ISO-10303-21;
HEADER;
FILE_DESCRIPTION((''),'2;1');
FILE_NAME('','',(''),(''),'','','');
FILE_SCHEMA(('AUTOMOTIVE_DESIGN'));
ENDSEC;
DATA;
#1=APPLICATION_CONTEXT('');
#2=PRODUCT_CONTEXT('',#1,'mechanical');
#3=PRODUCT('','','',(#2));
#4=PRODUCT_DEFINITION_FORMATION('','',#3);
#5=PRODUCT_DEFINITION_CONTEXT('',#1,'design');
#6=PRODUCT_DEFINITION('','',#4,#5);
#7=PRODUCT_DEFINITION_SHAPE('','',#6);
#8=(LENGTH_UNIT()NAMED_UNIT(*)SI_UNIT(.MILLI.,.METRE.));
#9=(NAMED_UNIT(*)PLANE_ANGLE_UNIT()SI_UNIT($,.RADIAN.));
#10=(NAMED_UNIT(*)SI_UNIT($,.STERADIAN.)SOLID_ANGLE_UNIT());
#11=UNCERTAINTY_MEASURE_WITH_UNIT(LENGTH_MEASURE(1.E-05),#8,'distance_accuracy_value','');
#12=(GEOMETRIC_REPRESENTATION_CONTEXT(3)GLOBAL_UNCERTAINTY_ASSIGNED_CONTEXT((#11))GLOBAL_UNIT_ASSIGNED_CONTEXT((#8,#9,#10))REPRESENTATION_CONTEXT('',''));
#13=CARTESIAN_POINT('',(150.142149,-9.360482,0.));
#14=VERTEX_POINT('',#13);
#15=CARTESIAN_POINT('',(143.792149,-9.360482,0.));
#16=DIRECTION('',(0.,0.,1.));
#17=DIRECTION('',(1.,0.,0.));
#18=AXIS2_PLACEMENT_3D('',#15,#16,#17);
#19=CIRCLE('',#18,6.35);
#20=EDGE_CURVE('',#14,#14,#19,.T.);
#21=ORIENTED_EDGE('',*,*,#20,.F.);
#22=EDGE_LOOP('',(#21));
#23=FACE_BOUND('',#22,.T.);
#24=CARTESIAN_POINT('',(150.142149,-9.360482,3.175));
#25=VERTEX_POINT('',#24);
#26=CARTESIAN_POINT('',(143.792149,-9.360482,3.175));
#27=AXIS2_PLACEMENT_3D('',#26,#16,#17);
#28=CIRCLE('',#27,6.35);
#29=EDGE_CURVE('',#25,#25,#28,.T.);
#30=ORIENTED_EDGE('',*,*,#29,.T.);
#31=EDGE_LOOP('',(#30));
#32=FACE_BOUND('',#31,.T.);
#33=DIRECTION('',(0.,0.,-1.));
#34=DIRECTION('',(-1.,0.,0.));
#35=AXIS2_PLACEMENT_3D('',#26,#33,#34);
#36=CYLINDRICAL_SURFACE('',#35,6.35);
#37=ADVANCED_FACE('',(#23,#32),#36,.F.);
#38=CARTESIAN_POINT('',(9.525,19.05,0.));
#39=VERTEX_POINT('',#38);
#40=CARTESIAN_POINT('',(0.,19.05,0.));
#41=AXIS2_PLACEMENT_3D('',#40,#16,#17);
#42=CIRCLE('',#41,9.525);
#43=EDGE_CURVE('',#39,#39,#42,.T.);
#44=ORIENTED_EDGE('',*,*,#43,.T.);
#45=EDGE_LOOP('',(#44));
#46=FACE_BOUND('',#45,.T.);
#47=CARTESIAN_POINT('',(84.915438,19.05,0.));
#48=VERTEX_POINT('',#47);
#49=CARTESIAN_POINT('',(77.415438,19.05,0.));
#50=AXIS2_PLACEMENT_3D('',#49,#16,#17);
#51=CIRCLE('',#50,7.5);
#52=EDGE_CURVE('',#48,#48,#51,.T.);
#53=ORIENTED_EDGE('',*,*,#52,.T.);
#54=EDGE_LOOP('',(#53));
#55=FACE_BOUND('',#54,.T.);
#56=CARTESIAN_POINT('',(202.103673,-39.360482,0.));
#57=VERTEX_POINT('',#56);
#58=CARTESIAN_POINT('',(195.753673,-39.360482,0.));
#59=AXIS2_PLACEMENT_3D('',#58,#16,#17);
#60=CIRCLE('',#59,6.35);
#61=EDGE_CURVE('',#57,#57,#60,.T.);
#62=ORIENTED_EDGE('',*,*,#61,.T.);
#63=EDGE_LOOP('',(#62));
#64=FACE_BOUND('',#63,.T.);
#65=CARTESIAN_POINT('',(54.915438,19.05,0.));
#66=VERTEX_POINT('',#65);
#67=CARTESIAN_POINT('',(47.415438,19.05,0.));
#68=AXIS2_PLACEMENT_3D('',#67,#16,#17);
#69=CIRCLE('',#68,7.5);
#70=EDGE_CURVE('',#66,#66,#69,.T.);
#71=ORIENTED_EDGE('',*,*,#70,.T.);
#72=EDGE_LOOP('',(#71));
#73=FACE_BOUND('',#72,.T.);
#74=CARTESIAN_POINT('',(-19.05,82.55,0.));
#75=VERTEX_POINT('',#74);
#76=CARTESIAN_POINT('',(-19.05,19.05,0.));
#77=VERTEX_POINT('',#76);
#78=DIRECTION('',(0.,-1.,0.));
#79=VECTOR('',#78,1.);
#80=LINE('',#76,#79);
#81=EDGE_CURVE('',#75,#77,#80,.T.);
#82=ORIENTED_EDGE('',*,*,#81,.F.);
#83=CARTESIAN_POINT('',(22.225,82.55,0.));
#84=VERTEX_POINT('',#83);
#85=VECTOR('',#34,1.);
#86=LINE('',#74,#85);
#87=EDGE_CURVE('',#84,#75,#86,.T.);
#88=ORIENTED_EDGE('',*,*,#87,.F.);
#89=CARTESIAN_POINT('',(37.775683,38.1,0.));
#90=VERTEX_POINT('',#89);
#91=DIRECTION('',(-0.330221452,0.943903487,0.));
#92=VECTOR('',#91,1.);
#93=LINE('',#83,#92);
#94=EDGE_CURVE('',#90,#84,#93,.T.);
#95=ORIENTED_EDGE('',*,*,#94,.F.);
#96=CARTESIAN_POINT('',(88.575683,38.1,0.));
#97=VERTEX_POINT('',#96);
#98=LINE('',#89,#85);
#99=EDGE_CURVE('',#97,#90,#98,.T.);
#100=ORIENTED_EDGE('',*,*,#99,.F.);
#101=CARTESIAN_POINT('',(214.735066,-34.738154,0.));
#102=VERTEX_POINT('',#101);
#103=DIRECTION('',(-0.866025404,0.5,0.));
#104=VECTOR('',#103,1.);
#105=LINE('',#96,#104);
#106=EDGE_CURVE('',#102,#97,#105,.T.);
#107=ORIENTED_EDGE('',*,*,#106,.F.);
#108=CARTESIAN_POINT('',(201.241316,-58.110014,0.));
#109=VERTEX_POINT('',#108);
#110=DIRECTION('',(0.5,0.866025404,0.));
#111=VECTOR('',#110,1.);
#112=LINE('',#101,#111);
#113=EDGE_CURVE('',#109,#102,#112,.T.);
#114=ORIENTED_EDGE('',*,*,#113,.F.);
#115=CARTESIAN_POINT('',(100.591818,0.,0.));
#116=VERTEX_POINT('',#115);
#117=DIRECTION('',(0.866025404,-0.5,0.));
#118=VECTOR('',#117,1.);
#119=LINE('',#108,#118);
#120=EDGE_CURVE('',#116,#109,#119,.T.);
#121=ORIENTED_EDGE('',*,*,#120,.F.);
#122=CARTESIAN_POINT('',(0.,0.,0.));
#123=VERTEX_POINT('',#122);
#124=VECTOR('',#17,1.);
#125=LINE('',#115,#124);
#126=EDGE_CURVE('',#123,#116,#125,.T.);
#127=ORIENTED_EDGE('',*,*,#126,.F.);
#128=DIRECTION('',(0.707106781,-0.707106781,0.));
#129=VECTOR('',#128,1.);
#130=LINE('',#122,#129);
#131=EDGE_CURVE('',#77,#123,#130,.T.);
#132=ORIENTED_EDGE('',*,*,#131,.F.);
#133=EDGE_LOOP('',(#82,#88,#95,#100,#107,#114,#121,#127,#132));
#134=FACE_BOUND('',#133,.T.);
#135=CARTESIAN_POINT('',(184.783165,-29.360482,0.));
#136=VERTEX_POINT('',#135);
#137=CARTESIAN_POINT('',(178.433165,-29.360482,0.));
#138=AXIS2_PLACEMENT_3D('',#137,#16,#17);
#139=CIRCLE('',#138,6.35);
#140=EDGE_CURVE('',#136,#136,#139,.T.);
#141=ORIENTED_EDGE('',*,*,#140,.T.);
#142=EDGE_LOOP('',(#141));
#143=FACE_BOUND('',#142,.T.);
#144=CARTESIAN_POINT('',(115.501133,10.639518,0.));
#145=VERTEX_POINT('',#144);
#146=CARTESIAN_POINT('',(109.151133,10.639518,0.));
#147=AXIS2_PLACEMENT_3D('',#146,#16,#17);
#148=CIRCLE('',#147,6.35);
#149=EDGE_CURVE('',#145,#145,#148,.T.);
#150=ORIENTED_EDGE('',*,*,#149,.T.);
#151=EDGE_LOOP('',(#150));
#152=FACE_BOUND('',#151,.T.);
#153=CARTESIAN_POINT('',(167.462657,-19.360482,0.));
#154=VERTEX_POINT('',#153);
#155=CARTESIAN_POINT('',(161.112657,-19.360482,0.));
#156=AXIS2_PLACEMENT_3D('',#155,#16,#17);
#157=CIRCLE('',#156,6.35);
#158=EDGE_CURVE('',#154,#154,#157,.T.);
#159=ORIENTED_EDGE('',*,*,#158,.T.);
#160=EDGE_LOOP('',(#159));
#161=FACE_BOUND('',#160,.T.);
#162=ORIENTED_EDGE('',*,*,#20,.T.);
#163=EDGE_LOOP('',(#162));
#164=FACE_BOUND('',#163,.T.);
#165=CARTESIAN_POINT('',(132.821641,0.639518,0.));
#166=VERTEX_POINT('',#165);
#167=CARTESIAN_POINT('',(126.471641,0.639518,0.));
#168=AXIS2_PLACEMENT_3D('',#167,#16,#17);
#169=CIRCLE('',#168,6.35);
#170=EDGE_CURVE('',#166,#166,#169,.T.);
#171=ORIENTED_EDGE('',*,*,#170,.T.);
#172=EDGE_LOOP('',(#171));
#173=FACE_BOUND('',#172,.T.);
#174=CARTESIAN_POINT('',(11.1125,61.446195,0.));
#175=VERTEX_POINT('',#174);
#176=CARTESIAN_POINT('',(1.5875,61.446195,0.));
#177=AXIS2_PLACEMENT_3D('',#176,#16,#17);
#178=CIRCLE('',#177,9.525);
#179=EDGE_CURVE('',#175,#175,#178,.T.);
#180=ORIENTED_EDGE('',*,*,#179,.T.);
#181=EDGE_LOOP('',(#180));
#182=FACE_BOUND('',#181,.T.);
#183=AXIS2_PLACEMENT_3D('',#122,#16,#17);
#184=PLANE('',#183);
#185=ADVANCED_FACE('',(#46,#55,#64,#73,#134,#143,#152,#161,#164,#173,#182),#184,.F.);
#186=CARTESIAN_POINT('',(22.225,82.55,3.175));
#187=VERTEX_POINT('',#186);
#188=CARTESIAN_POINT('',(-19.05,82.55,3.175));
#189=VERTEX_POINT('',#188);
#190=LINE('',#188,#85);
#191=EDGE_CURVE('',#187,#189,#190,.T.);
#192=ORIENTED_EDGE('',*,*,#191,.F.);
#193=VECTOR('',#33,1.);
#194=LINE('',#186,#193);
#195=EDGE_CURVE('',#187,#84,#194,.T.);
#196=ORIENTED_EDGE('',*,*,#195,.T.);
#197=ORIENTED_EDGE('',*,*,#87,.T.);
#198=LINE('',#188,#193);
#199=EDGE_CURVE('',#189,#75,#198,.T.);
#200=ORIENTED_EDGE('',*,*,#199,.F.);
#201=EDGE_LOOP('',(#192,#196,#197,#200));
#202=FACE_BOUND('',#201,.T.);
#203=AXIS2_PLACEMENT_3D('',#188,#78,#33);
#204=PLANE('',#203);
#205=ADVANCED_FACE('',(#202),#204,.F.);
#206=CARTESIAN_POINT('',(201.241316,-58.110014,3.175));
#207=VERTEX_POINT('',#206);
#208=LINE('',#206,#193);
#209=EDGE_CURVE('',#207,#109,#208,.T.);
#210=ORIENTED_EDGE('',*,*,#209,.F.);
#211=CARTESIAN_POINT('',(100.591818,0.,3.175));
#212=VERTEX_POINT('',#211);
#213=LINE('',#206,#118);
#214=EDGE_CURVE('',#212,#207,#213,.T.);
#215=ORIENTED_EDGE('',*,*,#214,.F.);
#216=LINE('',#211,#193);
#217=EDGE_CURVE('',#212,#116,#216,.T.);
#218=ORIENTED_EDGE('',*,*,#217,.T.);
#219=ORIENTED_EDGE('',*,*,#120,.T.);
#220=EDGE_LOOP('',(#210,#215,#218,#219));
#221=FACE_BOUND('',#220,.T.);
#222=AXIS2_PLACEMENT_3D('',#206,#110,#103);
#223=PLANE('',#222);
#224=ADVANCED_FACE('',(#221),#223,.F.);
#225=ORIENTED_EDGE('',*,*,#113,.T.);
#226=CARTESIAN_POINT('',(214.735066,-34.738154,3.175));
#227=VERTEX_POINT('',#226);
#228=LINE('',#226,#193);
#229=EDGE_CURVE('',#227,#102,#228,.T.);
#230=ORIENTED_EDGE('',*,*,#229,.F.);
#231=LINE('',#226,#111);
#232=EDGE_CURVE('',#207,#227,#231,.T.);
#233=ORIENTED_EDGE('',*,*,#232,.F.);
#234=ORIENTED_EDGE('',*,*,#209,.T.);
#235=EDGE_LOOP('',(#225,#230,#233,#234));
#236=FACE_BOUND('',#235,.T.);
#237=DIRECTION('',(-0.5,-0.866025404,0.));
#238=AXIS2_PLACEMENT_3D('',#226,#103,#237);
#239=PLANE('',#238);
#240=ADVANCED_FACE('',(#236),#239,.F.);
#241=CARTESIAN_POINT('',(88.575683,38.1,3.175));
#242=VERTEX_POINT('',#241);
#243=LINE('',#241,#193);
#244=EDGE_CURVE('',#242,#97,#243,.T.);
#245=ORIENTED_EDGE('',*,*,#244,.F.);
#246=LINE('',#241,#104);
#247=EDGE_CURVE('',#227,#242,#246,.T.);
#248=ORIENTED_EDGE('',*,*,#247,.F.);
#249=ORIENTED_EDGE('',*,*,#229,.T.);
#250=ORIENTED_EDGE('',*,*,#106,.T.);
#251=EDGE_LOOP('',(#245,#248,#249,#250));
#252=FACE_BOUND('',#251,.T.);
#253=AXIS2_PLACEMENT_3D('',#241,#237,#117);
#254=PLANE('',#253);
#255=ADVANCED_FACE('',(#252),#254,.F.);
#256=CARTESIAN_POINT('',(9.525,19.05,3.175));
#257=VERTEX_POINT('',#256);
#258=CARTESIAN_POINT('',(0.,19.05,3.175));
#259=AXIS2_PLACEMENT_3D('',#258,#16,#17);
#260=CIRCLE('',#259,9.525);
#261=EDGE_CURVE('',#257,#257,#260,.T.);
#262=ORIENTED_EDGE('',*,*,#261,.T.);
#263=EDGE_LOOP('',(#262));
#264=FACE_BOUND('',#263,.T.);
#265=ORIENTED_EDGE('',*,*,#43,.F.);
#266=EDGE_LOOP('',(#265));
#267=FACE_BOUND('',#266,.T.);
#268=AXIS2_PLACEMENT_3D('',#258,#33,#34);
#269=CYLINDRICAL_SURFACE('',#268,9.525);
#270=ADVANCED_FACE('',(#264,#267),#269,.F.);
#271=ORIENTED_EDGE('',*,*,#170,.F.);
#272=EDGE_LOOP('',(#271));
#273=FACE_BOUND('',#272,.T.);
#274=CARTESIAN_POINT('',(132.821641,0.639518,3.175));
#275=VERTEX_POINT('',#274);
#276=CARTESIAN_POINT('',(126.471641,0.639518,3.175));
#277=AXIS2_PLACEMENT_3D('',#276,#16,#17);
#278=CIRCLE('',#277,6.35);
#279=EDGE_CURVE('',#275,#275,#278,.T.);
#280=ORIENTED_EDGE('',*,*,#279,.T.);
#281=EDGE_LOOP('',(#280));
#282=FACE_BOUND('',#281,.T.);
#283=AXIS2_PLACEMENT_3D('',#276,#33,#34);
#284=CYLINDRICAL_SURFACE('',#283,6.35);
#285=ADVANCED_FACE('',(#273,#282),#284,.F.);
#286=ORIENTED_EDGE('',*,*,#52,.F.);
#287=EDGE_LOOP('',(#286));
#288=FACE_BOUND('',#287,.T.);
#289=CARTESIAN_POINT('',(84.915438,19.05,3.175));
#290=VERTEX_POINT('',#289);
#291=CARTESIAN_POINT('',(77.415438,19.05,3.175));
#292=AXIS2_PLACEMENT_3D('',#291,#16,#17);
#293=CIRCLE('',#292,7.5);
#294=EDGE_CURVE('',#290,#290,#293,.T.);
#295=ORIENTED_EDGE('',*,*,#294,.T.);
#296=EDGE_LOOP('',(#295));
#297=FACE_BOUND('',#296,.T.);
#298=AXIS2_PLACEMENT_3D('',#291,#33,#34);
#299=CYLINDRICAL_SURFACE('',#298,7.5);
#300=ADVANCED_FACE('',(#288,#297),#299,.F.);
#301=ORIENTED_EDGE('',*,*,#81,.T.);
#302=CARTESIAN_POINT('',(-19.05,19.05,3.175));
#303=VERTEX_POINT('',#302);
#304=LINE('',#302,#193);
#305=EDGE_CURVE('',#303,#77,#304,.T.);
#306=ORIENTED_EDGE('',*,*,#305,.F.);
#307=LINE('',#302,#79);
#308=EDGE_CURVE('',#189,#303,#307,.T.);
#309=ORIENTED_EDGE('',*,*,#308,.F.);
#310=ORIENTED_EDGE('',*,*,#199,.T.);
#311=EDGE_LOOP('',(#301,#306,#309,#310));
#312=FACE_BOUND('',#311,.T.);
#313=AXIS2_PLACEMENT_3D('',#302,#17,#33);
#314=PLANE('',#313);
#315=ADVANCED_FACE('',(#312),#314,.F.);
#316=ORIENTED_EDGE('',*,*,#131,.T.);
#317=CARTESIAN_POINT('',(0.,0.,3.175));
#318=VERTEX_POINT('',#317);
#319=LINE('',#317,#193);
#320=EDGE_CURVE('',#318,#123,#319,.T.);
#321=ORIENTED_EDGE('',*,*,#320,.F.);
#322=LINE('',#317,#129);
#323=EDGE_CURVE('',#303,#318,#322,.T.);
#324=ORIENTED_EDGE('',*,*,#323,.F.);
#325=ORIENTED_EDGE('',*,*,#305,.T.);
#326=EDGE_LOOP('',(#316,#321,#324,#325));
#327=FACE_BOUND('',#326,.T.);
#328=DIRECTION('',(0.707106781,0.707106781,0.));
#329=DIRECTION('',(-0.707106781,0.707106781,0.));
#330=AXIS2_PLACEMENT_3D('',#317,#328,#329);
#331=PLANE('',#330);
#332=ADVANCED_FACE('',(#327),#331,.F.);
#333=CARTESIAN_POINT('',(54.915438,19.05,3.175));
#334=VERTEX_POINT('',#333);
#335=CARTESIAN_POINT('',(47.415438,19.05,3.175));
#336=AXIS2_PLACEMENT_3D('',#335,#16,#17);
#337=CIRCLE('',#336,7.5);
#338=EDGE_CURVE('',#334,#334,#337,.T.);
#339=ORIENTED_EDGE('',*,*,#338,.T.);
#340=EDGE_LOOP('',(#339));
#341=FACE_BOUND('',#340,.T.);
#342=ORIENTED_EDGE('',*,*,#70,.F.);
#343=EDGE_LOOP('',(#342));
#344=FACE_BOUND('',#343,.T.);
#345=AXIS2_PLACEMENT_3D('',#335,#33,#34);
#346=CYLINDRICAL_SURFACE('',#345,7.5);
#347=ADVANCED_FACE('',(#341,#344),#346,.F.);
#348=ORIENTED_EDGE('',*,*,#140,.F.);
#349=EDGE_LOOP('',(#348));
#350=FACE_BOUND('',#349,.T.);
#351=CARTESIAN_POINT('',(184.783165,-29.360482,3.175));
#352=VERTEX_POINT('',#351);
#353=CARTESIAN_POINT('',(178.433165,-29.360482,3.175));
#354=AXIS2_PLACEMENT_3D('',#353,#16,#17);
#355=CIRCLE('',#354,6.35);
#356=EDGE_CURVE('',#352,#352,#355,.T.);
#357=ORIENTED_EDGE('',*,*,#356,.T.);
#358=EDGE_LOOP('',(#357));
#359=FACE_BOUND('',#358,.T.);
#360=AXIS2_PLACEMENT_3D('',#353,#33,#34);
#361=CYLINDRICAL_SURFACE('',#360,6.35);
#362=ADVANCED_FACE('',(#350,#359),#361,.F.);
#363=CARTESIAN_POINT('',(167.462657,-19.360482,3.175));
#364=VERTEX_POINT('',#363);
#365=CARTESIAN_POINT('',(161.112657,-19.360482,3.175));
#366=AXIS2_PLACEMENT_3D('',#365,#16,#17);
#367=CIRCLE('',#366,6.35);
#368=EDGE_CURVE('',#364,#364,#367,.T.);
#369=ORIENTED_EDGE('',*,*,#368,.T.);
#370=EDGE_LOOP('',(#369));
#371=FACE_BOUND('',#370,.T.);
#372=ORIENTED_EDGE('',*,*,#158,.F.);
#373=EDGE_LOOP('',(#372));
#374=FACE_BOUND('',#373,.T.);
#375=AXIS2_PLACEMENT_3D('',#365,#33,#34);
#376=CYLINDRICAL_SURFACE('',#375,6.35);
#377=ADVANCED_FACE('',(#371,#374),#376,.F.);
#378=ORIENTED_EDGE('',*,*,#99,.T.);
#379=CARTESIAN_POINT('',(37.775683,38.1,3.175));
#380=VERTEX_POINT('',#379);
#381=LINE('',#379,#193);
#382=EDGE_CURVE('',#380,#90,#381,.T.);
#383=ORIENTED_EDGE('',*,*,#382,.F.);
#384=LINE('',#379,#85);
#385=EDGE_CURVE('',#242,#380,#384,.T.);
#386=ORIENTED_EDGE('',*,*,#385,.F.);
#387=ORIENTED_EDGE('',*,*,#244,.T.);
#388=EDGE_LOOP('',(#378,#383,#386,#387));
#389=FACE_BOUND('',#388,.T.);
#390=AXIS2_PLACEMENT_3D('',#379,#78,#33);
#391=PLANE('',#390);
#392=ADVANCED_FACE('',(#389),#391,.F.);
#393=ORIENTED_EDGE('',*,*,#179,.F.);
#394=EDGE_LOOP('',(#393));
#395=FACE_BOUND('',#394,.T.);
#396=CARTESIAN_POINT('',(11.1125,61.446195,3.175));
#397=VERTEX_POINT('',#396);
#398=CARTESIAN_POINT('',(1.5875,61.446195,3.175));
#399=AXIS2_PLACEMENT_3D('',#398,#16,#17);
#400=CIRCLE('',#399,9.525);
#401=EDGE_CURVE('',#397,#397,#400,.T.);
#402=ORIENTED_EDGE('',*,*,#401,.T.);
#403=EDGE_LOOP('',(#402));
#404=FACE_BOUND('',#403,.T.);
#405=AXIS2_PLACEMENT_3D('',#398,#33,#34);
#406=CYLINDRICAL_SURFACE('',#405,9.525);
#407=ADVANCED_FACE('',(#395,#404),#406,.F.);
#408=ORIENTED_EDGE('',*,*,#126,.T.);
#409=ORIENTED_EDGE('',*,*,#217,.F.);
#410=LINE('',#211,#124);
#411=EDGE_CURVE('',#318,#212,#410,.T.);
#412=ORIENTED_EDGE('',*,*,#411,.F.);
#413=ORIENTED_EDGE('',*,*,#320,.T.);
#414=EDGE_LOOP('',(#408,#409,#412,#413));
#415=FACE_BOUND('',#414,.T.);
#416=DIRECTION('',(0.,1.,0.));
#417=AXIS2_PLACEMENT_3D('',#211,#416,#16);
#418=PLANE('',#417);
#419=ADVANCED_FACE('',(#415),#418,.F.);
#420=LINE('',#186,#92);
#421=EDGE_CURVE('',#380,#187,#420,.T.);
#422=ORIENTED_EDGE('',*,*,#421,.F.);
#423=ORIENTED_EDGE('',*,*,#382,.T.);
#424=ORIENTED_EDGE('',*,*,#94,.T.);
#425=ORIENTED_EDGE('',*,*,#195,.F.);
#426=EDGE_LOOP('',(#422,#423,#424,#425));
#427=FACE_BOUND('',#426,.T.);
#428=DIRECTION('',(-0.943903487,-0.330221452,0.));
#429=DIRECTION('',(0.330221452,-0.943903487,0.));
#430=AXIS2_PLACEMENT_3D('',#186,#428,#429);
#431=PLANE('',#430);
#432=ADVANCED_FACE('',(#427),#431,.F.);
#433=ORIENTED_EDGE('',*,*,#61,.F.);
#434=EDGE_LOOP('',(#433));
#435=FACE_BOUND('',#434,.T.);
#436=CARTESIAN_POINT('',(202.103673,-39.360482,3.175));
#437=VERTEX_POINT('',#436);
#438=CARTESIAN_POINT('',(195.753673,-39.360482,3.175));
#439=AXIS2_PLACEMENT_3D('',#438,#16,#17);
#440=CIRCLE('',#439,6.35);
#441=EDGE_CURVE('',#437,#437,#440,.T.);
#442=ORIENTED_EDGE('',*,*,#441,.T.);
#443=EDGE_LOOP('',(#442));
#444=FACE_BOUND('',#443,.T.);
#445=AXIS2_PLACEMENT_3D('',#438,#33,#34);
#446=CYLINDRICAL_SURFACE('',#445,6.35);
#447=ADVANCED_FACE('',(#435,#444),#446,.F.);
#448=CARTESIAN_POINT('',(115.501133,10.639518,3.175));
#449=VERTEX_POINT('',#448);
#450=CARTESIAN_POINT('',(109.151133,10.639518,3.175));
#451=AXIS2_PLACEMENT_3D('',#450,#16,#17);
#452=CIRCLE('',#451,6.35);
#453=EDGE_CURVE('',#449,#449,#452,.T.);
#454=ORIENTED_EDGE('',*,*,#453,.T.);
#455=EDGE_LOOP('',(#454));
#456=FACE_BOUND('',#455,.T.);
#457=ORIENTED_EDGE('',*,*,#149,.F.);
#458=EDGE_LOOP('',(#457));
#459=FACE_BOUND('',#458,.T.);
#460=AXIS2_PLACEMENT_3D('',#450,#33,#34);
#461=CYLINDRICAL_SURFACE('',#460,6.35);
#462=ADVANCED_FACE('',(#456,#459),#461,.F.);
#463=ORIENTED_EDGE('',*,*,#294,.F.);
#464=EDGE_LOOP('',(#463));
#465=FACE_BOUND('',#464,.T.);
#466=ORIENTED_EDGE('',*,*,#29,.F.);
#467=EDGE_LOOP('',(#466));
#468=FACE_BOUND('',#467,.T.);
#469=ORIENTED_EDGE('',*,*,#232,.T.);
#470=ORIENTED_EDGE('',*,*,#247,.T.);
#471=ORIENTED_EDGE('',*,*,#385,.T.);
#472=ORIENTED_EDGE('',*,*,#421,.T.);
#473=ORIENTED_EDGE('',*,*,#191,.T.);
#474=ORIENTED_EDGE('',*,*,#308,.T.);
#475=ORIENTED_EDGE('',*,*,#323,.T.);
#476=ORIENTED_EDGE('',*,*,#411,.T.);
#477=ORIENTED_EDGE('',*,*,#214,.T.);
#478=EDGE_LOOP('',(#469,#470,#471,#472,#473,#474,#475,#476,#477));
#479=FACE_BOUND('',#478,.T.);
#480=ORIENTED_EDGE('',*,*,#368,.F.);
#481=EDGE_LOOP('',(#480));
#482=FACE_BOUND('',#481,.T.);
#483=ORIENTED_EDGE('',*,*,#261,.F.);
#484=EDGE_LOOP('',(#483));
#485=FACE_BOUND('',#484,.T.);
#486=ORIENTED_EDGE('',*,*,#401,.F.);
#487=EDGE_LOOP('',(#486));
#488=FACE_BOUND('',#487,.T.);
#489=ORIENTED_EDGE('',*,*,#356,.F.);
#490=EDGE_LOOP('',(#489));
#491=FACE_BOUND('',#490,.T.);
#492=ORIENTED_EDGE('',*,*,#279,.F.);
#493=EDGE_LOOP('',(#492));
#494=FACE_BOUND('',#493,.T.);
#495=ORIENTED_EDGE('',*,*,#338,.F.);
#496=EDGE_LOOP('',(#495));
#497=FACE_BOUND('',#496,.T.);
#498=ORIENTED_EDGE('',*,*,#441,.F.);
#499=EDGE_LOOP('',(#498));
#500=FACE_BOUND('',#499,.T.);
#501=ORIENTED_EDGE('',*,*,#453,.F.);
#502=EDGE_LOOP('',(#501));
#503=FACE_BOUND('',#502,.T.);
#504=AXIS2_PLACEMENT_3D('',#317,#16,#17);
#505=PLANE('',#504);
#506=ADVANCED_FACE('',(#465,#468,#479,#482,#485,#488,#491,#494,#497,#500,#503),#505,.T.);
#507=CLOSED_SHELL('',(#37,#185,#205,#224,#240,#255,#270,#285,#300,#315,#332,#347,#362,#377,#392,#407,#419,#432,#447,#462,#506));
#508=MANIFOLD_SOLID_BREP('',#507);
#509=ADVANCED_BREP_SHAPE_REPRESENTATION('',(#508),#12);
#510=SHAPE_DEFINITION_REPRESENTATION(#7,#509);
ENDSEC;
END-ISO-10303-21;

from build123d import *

# Parameters (mm, degrees)
SKETCH2_R           = 6.35
SKETCH2_R_2         = 7.5
SKETCH2_R_3         = 9.525
BOSS_EXTRUDE1_DEPTH = 3.175


with BuildPart() as part:
    # Sketch2 → Boss-Extrude1 (new body)
    with BuildSketch(Plane.XY):
        Polygon((-19.05, 82.55), (22.225, 82.55), (37.775682613, 38.1), (88.575682613, 38.1), (214.73506591, -34.738153907), (201.24131591, -58.110014492), (100.591818382, 0), (0, 0), (-19.05, 19.05), align=None)
        with Locations((109.151133068, 10.639517751)):
            Circle(SKETCH2_R, mode=Mode.SUBTRACT)
        with Locations((126.471641144, 0.639517751)):
            Circle(SKETCH2_R, mode=Mode.SUBTRACT)
        with Locations((143.79214922, -9.360482249)):
            Circle(SKETCH2_R, mode=Mode.SUBTRACT)
        with Locations((161.112657295, -19.360482249)):
            Circle(SKETCH2_R, mode=Mode.SUBTRACT)
        with Locations((178.433165371, -29.360482249)):
            Circle(SKETCH2_R, mode=Mode.SUBTRACT)
        with Locations((195.753673447, -39.360482249)):
            Circle(SKETCH2_R, mode=Mode.SUBTRACT)
        with Locations((47.415438379, 19.05)):
            Circle(SKETCH2_R_2, mode=Mode.SUBTRACT)
        with Locations((77.415438379, 19.05)):
            Circle(SKETCH2_R_2, mode=Mode.SUBTRACT)
        with Locations((0, 19.05)):
            Circle(SKETCH2_R_3, mode=Mode.SUBTRACT)
        with Locations((1.5875, 61.446195183)):
            Circle(SKETCH2_R_3, mode=Mode.SUBTRACT)
    extrude(amount=BOSS_EXTRUDE1_DEPTH)


solid = part.part
